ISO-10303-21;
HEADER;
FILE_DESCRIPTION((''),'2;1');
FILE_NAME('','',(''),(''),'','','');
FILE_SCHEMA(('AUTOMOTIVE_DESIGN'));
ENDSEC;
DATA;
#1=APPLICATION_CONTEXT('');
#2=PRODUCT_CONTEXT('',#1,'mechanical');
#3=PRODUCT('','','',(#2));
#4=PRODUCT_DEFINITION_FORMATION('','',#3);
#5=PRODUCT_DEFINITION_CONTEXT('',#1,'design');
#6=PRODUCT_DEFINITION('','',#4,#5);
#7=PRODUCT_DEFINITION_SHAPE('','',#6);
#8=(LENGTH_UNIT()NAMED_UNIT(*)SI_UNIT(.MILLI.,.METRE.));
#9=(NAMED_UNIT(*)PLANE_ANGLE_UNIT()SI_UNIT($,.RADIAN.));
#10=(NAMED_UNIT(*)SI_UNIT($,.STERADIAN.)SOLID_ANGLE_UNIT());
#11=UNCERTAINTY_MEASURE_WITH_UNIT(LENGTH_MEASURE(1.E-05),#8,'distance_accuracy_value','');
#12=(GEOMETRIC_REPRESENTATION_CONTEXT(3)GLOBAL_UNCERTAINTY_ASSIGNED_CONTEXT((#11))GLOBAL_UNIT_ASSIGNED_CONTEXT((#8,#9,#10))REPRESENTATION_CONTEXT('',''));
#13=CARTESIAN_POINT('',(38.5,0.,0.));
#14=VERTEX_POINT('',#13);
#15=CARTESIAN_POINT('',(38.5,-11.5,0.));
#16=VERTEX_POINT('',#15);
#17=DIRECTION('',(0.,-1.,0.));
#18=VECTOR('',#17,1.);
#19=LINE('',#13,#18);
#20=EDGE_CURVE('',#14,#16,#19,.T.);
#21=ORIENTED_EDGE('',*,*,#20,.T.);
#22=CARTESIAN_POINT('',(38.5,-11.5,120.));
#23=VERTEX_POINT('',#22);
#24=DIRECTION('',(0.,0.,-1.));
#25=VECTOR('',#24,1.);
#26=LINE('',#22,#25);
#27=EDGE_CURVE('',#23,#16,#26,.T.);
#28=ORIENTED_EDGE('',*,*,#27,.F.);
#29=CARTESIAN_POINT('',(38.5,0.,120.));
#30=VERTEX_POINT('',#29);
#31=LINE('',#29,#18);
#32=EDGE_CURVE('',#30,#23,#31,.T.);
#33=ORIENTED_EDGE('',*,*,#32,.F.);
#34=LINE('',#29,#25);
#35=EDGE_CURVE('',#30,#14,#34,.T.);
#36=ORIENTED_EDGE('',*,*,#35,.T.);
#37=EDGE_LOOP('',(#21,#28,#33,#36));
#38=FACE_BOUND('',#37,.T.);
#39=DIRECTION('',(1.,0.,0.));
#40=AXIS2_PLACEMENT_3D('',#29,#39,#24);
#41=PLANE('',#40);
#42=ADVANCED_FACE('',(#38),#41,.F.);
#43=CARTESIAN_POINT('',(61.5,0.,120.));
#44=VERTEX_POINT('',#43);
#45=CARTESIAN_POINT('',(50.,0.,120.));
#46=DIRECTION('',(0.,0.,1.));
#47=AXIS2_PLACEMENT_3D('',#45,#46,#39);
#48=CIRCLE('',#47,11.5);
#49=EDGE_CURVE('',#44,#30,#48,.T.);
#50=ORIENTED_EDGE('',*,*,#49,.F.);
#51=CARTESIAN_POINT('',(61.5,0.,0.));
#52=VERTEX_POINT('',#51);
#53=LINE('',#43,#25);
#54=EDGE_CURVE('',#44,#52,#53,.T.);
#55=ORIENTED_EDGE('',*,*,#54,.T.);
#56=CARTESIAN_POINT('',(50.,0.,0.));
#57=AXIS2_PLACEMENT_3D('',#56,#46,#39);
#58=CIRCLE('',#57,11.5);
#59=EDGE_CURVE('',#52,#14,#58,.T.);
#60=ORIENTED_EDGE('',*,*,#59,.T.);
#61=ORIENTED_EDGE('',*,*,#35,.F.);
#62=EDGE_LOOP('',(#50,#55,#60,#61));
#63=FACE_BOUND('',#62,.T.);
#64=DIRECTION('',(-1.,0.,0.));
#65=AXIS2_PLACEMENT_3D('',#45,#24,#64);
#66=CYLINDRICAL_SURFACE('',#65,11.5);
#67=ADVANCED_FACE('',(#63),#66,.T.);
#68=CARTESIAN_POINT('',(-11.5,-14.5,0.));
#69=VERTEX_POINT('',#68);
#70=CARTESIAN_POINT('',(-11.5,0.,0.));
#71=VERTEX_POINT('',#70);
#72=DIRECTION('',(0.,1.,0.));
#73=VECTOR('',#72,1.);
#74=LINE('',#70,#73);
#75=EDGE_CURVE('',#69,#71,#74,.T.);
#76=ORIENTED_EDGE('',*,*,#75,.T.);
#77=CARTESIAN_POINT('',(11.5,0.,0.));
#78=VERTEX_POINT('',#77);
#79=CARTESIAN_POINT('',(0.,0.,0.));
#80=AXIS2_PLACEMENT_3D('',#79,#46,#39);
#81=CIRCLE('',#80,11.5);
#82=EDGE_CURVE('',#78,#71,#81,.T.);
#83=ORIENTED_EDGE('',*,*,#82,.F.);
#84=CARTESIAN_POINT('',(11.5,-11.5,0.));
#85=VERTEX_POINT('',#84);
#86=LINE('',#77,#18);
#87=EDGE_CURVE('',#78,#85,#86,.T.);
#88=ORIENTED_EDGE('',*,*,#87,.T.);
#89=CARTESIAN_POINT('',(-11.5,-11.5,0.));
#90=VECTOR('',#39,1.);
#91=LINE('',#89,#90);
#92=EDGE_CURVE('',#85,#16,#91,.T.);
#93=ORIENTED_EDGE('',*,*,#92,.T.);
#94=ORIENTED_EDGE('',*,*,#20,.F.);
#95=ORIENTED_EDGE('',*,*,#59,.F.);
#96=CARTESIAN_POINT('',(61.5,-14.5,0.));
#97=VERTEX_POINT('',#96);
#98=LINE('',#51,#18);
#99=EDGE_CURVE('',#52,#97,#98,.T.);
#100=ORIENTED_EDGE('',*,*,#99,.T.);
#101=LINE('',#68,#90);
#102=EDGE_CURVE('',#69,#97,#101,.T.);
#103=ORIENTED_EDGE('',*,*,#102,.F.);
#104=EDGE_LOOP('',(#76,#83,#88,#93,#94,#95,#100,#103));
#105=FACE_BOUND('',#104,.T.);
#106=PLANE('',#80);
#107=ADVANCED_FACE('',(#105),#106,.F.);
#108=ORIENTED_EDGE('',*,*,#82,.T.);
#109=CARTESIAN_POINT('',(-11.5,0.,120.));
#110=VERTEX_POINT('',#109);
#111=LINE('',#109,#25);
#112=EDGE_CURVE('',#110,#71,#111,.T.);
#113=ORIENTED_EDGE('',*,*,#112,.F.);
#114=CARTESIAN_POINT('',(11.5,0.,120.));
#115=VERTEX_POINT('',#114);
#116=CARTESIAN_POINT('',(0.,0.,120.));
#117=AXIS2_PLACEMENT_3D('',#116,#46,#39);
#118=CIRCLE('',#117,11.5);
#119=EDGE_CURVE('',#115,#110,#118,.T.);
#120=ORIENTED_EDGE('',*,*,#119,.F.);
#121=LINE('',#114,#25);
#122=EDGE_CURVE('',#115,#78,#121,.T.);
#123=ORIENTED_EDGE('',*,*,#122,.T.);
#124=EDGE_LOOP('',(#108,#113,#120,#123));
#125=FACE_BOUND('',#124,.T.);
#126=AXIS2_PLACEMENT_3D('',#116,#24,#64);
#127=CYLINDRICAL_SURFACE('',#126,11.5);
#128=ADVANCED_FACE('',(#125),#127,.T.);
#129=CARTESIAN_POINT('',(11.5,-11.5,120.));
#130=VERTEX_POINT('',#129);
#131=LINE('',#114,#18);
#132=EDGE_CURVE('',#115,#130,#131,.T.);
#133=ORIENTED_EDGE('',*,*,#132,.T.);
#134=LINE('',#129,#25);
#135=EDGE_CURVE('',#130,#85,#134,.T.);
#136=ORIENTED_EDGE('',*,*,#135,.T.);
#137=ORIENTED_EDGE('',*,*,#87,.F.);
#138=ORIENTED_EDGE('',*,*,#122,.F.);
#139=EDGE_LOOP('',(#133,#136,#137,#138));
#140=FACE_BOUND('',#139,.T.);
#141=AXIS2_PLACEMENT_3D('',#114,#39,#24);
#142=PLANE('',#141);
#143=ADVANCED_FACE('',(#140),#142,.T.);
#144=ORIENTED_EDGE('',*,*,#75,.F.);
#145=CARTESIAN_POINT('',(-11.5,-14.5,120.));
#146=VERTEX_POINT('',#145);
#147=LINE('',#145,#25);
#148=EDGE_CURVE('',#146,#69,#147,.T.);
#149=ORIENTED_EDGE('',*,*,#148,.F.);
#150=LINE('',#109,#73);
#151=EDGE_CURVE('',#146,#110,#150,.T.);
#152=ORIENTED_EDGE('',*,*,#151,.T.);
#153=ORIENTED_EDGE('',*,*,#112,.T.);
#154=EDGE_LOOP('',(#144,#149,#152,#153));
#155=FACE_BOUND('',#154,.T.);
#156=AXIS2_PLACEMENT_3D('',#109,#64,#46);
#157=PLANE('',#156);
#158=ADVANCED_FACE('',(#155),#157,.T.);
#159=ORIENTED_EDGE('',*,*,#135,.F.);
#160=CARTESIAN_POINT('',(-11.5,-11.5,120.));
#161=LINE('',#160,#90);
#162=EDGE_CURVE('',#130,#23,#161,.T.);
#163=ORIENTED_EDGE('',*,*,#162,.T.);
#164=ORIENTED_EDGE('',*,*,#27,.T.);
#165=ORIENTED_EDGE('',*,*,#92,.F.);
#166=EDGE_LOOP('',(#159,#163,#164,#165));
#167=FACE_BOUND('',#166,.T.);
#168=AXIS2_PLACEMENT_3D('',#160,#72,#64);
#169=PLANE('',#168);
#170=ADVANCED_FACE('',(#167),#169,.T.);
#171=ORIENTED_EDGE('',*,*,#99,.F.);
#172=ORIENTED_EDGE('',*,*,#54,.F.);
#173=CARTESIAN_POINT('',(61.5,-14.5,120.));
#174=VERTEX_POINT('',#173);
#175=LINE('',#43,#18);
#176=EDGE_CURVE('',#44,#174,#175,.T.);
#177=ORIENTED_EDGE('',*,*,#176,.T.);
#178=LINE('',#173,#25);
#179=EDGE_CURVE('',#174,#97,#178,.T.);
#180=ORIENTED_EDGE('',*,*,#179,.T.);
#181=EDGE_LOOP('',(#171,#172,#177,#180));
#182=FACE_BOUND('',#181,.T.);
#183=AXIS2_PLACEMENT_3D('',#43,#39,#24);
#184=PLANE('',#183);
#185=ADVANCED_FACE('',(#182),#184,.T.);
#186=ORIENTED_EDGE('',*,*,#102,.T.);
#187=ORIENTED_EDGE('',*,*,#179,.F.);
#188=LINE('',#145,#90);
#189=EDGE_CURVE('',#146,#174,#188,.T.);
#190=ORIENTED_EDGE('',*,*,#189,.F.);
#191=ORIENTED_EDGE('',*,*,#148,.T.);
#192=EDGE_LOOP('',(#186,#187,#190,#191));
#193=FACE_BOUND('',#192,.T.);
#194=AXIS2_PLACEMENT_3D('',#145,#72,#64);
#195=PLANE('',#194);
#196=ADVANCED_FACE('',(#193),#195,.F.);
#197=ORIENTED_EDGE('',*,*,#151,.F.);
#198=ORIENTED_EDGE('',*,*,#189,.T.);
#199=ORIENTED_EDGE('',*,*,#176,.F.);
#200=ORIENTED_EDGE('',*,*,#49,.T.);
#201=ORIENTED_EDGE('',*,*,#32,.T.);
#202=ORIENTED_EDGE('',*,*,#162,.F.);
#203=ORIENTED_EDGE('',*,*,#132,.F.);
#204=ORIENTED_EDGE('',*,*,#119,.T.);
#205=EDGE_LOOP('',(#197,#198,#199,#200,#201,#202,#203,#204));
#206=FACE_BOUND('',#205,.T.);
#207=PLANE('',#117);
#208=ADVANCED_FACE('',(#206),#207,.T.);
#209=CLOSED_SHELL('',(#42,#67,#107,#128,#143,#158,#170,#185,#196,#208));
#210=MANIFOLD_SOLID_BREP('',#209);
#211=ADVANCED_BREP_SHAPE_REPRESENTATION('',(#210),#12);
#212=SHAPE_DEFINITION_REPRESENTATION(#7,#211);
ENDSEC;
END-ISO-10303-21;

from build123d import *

# Parameters (mm, degrees)
SKETCH1_W           = 73
SKETCH1_H           = 3
BOSS_EXTRUDE1_DEPTH = 120


with BuildPart() as part:
    # Sketch1 → Boss-Extrude1 (new body)
    with BuildSketch(Plane.XY):
        with BuildLine():
            ThreePointArc((11.5, 0), (0, 11.5), (-11.5, 0))
            Line((-11.5, 0), (11.5, 0))
        make_face()
        with BuildLine():
            Line((11.5, 0), (-11.5, 0))
            ThreePointArc((-11.5, 0), (-8.131727984, -8.131727984), (0, -11.5))
            ThreePointArc((0, -11.5), (8.131727984, -8.131727984), (11.5, 0))
        make_face()
        with BuildLine():
            ThreePointArc((11.5, 0), (0, 11.5), (-11.5, 0))
            Line((-11.5, 0), (11.5, 0))
        make_face()
        with BuildLine():
            Line((11.5, 0), (-11.5, 0))
            ThreePointArc((-11.5, 0), (-8.131727984, -8.131727984), (0, -11.5))
            ThreePointArc((0, -11.5), (8.131727984, -8.131727984), (11.5, 0))
        make_face()
        with BuildLine():
            Line((11.5, -11.5), (11.5, 0))
            ThreePointArc((11.5, 0), (8.131727984, -8.131727984), (0, -11.5))
            Line((0, -11.5), (11.5, -11.5))
        make_face()
        with BuildLine():
            ThreePointArc((0, -11.5), (-8.131727984, -8.131727984), (-11.5, 0))
            Line((-11.5, 0), (-11.5, -11.5))
            Line((-11.5, -11.5), (0, -11.5))
        make_face()
        with BuildLine():
            ThreePointArc((50, -11.5), (41.868272016, -8.131727984), (38.5, 0))
            Line((38.5, 0), (38.5, -11.5))
            Line((38.5, -11.5), (50, -11.5))
        make_face()
        with BuildLine():
            ThreePointArc((61.5, 0), (50, 11.5), (38.5, 0))
            Line((38.5, 0), (61.5, 0))
        make_face()
        with BuildLine():
            Line((61.5, 0), (38.5, 0))
            ThreePointArc((38.5, 0), (41.868272016, -8.131727984), (50, -11.5))
            ThreePointArc((50, -11.5), (58.131727984, -8.131727984), (61.5, 0))
        make_face()
        with BuildLine():
            ThreePointArc((61.5, 0), (50, 11.5), (38.5, 0))
            Line((38.5, 0), (61.5, 0))
        make_face()
        with BuildLine():
            Line((61.5, 0), (38.5, 0))
            ThreePointArc((38.5, 0), (41.868272016, -8.131727984), (50, -11.5))
            ThreePointArc((50, -11.5), (58.131727984, -8.131727984), (61.5, 0))
        make_face()
        with BuildLine():
            Line((61.5, -11.5), (61.5, 0))
            ThreePointArc((61.5, 0), (58.131727984, -8.131727984), (50, -11.5))
            Line((50, -11.5), (61.5, -11.5))
        make_face()
        with Locations((25, -13)):
            Rectangle(SKETCH1_W, SKETCH1_H)
    extrude(amount=BOSS_EXTRUDE1_DEPTH)


solid = part.part
